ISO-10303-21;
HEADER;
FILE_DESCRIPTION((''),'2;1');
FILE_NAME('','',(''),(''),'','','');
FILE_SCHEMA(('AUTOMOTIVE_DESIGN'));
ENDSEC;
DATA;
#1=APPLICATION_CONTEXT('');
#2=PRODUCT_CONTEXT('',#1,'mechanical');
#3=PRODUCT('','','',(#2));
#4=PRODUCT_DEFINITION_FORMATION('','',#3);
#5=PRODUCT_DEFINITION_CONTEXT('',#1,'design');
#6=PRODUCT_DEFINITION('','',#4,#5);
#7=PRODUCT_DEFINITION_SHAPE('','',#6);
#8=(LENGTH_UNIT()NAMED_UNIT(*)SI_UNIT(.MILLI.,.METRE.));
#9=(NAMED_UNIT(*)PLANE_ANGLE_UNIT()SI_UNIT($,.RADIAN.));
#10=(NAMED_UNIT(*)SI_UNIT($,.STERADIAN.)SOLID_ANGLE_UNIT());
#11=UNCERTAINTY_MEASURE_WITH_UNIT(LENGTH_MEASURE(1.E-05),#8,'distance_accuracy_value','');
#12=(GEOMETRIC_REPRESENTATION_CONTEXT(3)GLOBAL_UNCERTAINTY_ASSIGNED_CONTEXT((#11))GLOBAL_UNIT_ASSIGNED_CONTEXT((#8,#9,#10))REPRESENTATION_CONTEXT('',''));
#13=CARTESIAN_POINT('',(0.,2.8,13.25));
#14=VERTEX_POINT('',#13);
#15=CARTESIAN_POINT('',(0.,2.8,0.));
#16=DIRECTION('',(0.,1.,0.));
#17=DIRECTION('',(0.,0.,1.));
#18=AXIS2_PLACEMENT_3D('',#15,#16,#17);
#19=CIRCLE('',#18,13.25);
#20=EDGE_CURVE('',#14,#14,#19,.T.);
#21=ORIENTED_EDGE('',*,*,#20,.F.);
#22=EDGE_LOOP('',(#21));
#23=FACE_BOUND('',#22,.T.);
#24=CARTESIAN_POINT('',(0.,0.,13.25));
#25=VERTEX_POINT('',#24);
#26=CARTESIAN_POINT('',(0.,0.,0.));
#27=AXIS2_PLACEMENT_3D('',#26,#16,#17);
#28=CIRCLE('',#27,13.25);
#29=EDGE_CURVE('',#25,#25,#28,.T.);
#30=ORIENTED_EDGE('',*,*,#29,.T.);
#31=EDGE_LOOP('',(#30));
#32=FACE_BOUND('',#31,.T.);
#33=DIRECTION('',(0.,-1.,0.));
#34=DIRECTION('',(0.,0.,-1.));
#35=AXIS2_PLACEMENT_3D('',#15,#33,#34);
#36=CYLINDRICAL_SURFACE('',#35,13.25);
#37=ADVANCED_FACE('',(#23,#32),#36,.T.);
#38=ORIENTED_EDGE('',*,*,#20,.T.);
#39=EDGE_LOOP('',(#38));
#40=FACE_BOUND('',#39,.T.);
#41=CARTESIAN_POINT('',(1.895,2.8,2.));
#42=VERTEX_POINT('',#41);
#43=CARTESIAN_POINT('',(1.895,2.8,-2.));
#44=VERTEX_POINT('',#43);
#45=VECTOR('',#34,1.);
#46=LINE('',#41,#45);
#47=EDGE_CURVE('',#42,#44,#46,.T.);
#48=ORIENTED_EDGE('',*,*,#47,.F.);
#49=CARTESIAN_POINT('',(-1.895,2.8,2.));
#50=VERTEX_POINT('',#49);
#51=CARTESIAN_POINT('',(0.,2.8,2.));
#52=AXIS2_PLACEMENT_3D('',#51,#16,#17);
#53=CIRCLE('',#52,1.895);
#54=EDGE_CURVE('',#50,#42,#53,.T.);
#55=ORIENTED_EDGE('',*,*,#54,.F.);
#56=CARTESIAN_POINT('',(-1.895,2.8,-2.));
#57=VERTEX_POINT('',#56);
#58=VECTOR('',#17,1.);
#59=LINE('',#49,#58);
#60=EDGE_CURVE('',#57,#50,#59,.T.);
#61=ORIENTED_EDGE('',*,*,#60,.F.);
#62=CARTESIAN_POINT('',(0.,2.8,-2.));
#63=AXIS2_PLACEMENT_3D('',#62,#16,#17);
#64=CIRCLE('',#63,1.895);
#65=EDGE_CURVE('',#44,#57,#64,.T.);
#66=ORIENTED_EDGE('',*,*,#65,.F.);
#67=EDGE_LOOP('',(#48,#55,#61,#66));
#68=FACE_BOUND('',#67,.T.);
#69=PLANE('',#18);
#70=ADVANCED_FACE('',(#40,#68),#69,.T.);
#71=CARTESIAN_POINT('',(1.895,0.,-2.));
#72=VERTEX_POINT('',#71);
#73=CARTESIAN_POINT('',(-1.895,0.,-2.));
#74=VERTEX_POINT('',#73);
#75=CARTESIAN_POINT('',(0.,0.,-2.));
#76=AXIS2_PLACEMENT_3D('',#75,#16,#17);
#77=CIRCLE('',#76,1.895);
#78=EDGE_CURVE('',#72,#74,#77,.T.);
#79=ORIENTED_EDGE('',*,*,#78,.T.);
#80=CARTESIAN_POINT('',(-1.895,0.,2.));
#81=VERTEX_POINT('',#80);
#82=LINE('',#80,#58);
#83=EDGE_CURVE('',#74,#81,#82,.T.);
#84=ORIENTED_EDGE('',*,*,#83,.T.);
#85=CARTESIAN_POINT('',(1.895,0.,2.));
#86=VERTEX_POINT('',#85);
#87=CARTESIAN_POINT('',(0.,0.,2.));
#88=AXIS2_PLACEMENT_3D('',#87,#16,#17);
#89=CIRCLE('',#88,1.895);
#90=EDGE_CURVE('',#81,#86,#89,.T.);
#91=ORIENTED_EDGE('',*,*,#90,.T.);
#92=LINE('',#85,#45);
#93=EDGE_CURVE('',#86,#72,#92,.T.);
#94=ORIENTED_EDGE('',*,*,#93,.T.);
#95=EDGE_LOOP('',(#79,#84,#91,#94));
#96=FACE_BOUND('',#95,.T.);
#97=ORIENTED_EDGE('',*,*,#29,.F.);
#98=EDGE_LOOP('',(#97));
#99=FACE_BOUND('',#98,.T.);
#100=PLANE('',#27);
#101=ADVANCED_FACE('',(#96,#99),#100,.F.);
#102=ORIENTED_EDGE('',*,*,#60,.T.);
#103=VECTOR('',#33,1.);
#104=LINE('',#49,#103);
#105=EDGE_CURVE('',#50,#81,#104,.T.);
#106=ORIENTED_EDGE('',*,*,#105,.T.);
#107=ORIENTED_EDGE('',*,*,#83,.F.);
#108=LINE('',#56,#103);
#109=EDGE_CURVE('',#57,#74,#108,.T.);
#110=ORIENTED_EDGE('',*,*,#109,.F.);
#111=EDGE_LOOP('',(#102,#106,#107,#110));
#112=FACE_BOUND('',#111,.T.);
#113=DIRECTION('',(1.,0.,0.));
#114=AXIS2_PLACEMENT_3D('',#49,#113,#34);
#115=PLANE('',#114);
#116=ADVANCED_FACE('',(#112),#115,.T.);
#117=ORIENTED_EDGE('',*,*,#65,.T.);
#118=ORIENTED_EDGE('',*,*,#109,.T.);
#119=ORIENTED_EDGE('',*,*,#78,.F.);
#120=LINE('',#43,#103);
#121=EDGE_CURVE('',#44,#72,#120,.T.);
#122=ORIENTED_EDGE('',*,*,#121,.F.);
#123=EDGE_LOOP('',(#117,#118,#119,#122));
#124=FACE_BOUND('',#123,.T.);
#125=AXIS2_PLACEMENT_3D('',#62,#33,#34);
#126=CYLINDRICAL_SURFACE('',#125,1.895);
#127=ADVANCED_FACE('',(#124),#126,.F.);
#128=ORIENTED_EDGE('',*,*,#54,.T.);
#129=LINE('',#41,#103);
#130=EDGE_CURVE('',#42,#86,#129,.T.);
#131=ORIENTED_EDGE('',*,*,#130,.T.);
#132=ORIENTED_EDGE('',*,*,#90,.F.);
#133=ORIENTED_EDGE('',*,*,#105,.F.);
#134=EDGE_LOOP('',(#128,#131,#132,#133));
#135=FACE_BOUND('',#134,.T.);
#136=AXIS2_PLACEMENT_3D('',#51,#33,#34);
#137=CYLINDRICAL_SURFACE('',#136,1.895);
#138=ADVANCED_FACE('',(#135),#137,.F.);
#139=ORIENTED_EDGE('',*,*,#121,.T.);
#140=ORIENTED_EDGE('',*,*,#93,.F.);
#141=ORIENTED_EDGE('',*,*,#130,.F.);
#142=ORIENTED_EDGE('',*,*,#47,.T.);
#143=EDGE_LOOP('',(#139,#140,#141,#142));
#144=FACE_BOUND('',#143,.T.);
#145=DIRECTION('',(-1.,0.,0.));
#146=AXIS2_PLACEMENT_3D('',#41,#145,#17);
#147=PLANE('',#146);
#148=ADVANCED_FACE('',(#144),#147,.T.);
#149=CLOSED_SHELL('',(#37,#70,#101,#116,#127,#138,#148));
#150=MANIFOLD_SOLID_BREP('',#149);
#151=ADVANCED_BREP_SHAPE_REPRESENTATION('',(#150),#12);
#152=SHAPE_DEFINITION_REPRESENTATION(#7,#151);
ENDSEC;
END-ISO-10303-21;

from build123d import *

# Parameters (mm, degrees)
SKETCH1_R           = 13.25
BOSS_EXTRUDE1_DEPTH = 2.8


with BuildPart() as part:
    # Sketch1 → Boss-Extrude1 (new body)
    with BuildSketch(Plane(origin=(0, 0, 0), x_dir=(1, 0, 0), z_dir=(0, 1, 0))):
        with Locations(Location((0, 0, 0), (0, 0, 270))):
            Circle(SKETCH1_R)
        with BuildLine():
            Line((-1.895, -2), (-1.895, 2))
            ThreePointArc((-1.895, 2), (0, 3.895), (1.895, 2))
            Line((1.895, 2), (1.895, -2))
            ThreePointArc((1.895, -2), (0, -3.895), (-1.895, -2))
        make_face(mode=Mode.SUBTRACT)
    extrude(amount=BOSS_EXTRUDE1_DEPTH)


solid = part.part
